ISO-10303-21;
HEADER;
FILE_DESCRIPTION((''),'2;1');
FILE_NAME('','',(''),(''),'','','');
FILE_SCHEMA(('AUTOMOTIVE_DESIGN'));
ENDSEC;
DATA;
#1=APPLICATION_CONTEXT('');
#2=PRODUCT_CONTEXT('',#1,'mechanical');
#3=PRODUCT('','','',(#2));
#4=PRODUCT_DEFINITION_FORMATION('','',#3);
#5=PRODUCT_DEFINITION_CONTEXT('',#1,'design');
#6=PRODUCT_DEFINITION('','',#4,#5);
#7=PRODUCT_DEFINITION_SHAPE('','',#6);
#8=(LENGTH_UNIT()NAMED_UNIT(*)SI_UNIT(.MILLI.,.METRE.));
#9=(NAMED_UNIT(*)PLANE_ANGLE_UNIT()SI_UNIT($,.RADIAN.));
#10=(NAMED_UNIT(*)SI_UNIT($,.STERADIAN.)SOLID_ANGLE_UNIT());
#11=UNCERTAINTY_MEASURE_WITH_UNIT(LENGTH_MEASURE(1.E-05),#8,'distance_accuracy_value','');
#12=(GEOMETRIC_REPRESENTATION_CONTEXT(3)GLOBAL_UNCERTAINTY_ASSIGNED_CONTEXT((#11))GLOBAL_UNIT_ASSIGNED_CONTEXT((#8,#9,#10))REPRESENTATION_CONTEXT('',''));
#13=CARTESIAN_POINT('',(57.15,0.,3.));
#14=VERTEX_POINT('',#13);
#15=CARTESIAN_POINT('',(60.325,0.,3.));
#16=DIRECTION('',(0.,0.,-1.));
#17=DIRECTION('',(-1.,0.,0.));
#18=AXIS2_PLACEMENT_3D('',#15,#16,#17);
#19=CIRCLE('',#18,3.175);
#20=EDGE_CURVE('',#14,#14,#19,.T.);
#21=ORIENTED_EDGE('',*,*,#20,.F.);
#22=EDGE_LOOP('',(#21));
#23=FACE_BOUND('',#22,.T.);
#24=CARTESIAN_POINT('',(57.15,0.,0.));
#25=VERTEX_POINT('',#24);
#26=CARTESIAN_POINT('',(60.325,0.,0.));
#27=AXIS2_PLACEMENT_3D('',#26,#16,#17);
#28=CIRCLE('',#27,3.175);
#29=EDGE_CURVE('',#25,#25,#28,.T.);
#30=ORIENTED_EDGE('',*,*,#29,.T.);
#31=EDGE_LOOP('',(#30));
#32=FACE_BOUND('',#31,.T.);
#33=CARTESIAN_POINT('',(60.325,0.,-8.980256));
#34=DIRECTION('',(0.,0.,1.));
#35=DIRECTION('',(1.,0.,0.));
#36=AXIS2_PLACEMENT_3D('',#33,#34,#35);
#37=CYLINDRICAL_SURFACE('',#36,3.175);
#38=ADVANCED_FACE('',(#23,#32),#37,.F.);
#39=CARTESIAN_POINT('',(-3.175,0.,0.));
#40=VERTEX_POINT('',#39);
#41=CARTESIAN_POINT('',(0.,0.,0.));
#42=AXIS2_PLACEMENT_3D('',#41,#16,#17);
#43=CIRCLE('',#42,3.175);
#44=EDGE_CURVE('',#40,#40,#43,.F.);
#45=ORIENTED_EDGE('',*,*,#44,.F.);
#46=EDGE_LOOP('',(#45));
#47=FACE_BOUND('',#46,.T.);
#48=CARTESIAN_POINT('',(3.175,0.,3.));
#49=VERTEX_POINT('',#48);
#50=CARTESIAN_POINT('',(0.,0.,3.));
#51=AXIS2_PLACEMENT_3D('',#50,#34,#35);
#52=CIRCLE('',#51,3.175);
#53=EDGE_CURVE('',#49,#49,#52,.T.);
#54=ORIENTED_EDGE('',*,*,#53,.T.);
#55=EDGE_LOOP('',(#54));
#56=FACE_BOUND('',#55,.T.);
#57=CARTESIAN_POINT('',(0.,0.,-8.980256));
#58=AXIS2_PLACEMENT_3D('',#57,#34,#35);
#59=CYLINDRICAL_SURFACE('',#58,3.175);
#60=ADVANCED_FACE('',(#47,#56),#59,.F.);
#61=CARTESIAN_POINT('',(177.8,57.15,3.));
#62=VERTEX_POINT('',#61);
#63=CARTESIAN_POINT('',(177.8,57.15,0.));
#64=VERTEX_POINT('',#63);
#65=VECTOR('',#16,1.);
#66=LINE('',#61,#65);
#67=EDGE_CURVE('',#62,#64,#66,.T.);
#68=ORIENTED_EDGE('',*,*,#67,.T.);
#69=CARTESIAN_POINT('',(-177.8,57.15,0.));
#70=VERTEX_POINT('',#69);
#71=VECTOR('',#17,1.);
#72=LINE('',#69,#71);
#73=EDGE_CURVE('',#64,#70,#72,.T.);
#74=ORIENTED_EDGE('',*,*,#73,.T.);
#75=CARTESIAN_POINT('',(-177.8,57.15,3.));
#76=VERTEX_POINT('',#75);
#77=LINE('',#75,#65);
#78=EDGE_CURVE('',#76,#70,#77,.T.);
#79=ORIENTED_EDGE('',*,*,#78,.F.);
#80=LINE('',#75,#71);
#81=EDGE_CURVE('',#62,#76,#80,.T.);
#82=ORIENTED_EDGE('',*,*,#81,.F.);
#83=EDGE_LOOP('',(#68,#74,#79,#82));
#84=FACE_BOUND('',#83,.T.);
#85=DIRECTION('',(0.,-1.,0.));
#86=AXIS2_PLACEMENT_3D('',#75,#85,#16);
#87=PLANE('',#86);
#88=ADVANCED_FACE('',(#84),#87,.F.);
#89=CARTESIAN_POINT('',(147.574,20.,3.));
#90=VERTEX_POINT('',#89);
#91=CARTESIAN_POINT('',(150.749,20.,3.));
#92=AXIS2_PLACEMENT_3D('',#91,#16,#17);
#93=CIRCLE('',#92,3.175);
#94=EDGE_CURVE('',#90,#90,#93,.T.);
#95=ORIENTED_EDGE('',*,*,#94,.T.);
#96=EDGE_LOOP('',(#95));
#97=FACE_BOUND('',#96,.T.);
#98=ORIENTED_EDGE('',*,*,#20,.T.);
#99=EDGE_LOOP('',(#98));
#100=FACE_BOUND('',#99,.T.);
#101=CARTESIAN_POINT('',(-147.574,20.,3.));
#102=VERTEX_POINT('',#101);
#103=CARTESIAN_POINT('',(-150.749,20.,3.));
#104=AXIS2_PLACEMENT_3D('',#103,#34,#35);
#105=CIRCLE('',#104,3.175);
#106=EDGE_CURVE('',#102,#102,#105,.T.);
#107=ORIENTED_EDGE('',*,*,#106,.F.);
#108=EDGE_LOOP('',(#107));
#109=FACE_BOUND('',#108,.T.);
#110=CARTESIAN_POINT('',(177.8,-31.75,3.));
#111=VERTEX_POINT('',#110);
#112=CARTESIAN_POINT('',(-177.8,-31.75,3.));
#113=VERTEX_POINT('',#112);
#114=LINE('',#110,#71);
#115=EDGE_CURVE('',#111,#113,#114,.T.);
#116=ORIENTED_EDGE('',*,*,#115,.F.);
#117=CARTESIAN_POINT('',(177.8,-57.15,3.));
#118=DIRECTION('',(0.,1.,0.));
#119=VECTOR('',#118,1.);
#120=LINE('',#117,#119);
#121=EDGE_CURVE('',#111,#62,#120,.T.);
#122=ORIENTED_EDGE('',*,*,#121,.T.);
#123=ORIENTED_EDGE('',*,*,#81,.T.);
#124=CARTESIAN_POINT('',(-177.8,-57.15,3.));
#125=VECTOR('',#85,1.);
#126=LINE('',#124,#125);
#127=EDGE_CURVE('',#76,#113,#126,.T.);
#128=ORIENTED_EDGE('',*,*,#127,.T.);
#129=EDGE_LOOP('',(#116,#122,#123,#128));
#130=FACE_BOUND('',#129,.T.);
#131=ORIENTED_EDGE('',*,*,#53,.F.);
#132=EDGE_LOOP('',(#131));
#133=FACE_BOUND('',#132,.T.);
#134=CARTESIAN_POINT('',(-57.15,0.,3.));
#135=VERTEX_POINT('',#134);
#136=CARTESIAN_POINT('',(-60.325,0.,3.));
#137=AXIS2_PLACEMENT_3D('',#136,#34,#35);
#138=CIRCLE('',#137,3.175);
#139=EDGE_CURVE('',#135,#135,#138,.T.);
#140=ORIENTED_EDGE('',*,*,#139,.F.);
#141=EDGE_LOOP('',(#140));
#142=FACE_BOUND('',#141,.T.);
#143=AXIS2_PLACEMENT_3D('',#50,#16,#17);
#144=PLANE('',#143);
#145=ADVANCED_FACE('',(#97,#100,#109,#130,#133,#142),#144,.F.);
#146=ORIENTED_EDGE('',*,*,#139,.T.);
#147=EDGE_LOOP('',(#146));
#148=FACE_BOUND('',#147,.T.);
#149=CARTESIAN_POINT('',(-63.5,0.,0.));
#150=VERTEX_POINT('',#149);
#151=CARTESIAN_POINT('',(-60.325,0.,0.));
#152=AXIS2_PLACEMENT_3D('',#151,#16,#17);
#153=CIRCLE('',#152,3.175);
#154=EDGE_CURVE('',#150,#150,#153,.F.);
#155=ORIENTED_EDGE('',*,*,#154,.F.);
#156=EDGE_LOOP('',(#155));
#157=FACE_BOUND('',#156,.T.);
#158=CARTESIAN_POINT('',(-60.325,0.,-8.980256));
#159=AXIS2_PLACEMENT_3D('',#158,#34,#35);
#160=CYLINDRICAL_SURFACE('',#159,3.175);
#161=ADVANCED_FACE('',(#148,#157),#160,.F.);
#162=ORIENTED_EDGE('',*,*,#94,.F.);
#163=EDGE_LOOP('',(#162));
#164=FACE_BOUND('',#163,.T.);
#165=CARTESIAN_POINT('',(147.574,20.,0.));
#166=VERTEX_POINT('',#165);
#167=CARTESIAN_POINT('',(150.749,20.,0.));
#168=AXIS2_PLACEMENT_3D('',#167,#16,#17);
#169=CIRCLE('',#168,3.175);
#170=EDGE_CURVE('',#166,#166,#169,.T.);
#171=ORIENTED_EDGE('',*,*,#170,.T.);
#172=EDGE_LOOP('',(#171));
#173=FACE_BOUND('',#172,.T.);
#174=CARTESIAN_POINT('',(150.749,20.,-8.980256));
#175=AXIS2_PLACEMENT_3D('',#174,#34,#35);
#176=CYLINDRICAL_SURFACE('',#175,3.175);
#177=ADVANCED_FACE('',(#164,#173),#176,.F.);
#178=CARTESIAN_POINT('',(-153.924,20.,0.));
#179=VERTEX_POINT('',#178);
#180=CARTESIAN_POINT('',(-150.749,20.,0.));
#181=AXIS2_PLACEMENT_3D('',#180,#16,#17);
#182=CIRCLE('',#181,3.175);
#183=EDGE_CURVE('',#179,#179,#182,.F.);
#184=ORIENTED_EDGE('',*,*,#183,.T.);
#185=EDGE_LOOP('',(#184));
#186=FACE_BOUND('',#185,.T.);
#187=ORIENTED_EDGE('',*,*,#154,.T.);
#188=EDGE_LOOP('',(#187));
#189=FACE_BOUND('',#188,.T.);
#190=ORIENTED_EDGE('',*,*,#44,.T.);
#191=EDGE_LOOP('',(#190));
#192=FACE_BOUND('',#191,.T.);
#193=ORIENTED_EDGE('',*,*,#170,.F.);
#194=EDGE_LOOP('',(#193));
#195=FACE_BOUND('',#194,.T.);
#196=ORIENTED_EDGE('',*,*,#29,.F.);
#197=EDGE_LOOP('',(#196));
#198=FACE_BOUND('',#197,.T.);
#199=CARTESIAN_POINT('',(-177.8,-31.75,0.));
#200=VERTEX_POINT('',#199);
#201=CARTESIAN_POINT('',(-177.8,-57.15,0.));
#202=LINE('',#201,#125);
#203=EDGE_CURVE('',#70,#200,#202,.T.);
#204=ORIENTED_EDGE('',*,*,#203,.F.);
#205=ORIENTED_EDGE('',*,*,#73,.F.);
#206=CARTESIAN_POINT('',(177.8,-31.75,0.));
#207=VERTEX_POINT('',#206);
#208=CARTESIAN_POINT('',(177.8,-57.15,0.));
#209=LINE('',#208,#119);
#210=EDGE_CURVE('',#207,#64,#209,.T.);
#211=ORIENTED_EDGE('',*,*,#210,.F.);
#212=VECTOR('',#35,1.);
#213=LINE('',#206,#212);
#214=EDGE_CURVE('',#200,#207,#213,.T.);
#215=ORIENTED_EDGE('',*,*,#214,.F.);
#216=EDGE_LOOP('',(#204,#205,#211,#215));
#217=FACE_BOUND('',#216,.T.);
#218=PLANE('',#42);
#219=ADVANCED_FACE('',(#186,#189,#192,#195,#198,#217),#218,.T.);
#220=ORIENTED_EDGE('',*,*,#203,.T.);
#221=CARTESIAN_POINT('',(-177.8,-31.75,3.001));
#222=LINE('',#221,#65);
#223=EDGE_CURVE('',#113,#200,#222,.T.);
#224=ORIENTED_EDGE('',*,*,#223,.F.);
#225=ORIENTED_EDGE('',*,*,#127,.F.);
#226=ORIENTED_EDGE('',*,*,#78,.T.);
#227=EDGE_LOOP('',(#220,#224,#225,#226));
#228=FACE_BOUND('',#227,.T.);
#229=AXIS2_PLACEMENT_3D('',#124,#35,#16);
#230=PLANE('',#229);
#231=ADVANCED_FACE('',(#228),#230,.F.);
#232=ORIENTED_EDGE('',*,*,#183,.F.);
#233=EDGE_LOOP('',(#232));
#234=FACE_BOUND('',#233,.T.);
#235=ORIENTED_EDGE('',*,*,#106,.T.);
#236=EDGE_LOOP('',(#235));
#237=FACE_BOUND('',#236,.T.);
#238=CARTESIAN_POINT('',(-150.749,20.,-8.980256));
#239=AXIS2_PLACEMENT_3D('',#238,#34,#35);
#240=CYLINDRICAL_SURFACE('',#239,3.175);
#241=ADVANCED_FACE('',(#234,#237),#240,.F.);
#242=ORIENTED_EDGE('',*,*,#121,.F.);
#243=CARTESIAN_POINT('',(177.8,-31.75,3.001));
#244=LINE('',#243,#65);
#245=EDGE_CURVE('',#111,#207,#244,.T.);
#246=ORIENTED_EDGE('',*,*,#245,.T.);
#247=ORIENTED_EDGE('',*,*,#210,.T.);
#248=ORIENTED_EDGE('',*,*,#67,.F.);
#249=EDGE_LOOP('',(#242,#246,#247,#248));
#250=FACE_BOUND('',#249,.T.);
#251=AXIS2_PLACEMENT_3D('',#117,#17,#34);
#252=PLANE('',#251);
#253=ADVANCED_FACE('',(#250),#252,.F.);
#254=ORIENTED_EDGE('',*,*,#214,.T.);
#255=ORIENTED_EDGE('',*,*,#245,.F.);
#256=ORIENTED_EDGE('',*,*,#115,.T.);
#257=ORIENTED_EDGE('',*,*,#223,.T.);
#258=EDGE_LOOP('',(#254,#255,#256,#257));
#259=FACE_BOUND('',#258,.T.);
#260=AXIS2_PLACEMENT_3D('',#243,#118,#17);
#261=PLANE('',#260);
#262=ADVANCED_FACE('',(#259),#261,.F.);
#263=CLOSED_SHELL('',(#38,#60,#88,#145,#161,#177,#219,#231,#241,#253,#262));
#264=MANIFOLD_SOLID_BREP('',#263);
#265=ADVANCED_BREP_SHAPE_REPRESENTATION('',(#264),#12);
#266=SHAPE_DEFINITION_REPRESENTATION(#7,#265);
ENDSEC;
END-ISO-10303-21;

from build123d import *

# Parameters (mm, degrees)
SKETCH1_W           = 355.6
SKETCH1_H           = 114.3
BOSS_EXTRUDE1_DEPTH = 3
SKETCH3_R           = 3.175
CUT_EXTRUDE1_DEPTH  = 3
CUT_EXTRUDE2_REACH  = 188.783
SKETCH4_W           = 355.6
SKETCH4_H           = 25.4


with BuildPart() as part:
    # Sketch1 → Boss-Extrude1 (new body)
    with BuildSketch(Plane.XY):
        Rectangle(SKETCH1_W, SKETCH1_H)
    extrude(amount=BOSS_EXTRUDE1_DEPTH)

    # Sketch3 → Cut-Extrude1 (cut)
    with BuildSketch(Plane.XY.offset(3)):
        with Locations((-60.325, 0)):
            Circle(SKETCH3_R)
        Circle(SKETCH3_R)
        with Locations((-150.749, 20)):
            Circle(SKETCH3_R)
    cut_extrude1 = extrude(amount=-CUT_EXTRUDE1_DEPTH, mode=Mode.SUBTRACT)

    # Mirror3: Cut-Extrude1 across plane
    add(cut_extrude1.mirror(Plane(origin=(0, 0, 0), x_dir=(0, 0, 1), z_dir=(1, 0, 0))), mode=Mode.SUBTRACT)

    # Sketch4 → Cut-Extrude2 (cut, up to next)
    with BuildSketch(Plane(origin=(0, 0, 0), x_dir=(-1, 0, 0), z_dir=(0, 0, -1)), mode=Mode.PRIVATE) as cut_extrude2_sk1:
        with Locations((0, -44.45)):
            Rectangle(SKETCH4_W, SKETCH4_H)
    cut_extrude2_tool1 = extrude(cut_extrude2_sk1.sketch, amount=-CUT_EXTRUDE2_REACH, mode=Mode.PRIVATE) & part.part
    add(cut_extrude2_tool1.solids().sort_by_distance((0, -44.45, 0))[0], mode=Mode.SUBTRACT)


solid = part.part
